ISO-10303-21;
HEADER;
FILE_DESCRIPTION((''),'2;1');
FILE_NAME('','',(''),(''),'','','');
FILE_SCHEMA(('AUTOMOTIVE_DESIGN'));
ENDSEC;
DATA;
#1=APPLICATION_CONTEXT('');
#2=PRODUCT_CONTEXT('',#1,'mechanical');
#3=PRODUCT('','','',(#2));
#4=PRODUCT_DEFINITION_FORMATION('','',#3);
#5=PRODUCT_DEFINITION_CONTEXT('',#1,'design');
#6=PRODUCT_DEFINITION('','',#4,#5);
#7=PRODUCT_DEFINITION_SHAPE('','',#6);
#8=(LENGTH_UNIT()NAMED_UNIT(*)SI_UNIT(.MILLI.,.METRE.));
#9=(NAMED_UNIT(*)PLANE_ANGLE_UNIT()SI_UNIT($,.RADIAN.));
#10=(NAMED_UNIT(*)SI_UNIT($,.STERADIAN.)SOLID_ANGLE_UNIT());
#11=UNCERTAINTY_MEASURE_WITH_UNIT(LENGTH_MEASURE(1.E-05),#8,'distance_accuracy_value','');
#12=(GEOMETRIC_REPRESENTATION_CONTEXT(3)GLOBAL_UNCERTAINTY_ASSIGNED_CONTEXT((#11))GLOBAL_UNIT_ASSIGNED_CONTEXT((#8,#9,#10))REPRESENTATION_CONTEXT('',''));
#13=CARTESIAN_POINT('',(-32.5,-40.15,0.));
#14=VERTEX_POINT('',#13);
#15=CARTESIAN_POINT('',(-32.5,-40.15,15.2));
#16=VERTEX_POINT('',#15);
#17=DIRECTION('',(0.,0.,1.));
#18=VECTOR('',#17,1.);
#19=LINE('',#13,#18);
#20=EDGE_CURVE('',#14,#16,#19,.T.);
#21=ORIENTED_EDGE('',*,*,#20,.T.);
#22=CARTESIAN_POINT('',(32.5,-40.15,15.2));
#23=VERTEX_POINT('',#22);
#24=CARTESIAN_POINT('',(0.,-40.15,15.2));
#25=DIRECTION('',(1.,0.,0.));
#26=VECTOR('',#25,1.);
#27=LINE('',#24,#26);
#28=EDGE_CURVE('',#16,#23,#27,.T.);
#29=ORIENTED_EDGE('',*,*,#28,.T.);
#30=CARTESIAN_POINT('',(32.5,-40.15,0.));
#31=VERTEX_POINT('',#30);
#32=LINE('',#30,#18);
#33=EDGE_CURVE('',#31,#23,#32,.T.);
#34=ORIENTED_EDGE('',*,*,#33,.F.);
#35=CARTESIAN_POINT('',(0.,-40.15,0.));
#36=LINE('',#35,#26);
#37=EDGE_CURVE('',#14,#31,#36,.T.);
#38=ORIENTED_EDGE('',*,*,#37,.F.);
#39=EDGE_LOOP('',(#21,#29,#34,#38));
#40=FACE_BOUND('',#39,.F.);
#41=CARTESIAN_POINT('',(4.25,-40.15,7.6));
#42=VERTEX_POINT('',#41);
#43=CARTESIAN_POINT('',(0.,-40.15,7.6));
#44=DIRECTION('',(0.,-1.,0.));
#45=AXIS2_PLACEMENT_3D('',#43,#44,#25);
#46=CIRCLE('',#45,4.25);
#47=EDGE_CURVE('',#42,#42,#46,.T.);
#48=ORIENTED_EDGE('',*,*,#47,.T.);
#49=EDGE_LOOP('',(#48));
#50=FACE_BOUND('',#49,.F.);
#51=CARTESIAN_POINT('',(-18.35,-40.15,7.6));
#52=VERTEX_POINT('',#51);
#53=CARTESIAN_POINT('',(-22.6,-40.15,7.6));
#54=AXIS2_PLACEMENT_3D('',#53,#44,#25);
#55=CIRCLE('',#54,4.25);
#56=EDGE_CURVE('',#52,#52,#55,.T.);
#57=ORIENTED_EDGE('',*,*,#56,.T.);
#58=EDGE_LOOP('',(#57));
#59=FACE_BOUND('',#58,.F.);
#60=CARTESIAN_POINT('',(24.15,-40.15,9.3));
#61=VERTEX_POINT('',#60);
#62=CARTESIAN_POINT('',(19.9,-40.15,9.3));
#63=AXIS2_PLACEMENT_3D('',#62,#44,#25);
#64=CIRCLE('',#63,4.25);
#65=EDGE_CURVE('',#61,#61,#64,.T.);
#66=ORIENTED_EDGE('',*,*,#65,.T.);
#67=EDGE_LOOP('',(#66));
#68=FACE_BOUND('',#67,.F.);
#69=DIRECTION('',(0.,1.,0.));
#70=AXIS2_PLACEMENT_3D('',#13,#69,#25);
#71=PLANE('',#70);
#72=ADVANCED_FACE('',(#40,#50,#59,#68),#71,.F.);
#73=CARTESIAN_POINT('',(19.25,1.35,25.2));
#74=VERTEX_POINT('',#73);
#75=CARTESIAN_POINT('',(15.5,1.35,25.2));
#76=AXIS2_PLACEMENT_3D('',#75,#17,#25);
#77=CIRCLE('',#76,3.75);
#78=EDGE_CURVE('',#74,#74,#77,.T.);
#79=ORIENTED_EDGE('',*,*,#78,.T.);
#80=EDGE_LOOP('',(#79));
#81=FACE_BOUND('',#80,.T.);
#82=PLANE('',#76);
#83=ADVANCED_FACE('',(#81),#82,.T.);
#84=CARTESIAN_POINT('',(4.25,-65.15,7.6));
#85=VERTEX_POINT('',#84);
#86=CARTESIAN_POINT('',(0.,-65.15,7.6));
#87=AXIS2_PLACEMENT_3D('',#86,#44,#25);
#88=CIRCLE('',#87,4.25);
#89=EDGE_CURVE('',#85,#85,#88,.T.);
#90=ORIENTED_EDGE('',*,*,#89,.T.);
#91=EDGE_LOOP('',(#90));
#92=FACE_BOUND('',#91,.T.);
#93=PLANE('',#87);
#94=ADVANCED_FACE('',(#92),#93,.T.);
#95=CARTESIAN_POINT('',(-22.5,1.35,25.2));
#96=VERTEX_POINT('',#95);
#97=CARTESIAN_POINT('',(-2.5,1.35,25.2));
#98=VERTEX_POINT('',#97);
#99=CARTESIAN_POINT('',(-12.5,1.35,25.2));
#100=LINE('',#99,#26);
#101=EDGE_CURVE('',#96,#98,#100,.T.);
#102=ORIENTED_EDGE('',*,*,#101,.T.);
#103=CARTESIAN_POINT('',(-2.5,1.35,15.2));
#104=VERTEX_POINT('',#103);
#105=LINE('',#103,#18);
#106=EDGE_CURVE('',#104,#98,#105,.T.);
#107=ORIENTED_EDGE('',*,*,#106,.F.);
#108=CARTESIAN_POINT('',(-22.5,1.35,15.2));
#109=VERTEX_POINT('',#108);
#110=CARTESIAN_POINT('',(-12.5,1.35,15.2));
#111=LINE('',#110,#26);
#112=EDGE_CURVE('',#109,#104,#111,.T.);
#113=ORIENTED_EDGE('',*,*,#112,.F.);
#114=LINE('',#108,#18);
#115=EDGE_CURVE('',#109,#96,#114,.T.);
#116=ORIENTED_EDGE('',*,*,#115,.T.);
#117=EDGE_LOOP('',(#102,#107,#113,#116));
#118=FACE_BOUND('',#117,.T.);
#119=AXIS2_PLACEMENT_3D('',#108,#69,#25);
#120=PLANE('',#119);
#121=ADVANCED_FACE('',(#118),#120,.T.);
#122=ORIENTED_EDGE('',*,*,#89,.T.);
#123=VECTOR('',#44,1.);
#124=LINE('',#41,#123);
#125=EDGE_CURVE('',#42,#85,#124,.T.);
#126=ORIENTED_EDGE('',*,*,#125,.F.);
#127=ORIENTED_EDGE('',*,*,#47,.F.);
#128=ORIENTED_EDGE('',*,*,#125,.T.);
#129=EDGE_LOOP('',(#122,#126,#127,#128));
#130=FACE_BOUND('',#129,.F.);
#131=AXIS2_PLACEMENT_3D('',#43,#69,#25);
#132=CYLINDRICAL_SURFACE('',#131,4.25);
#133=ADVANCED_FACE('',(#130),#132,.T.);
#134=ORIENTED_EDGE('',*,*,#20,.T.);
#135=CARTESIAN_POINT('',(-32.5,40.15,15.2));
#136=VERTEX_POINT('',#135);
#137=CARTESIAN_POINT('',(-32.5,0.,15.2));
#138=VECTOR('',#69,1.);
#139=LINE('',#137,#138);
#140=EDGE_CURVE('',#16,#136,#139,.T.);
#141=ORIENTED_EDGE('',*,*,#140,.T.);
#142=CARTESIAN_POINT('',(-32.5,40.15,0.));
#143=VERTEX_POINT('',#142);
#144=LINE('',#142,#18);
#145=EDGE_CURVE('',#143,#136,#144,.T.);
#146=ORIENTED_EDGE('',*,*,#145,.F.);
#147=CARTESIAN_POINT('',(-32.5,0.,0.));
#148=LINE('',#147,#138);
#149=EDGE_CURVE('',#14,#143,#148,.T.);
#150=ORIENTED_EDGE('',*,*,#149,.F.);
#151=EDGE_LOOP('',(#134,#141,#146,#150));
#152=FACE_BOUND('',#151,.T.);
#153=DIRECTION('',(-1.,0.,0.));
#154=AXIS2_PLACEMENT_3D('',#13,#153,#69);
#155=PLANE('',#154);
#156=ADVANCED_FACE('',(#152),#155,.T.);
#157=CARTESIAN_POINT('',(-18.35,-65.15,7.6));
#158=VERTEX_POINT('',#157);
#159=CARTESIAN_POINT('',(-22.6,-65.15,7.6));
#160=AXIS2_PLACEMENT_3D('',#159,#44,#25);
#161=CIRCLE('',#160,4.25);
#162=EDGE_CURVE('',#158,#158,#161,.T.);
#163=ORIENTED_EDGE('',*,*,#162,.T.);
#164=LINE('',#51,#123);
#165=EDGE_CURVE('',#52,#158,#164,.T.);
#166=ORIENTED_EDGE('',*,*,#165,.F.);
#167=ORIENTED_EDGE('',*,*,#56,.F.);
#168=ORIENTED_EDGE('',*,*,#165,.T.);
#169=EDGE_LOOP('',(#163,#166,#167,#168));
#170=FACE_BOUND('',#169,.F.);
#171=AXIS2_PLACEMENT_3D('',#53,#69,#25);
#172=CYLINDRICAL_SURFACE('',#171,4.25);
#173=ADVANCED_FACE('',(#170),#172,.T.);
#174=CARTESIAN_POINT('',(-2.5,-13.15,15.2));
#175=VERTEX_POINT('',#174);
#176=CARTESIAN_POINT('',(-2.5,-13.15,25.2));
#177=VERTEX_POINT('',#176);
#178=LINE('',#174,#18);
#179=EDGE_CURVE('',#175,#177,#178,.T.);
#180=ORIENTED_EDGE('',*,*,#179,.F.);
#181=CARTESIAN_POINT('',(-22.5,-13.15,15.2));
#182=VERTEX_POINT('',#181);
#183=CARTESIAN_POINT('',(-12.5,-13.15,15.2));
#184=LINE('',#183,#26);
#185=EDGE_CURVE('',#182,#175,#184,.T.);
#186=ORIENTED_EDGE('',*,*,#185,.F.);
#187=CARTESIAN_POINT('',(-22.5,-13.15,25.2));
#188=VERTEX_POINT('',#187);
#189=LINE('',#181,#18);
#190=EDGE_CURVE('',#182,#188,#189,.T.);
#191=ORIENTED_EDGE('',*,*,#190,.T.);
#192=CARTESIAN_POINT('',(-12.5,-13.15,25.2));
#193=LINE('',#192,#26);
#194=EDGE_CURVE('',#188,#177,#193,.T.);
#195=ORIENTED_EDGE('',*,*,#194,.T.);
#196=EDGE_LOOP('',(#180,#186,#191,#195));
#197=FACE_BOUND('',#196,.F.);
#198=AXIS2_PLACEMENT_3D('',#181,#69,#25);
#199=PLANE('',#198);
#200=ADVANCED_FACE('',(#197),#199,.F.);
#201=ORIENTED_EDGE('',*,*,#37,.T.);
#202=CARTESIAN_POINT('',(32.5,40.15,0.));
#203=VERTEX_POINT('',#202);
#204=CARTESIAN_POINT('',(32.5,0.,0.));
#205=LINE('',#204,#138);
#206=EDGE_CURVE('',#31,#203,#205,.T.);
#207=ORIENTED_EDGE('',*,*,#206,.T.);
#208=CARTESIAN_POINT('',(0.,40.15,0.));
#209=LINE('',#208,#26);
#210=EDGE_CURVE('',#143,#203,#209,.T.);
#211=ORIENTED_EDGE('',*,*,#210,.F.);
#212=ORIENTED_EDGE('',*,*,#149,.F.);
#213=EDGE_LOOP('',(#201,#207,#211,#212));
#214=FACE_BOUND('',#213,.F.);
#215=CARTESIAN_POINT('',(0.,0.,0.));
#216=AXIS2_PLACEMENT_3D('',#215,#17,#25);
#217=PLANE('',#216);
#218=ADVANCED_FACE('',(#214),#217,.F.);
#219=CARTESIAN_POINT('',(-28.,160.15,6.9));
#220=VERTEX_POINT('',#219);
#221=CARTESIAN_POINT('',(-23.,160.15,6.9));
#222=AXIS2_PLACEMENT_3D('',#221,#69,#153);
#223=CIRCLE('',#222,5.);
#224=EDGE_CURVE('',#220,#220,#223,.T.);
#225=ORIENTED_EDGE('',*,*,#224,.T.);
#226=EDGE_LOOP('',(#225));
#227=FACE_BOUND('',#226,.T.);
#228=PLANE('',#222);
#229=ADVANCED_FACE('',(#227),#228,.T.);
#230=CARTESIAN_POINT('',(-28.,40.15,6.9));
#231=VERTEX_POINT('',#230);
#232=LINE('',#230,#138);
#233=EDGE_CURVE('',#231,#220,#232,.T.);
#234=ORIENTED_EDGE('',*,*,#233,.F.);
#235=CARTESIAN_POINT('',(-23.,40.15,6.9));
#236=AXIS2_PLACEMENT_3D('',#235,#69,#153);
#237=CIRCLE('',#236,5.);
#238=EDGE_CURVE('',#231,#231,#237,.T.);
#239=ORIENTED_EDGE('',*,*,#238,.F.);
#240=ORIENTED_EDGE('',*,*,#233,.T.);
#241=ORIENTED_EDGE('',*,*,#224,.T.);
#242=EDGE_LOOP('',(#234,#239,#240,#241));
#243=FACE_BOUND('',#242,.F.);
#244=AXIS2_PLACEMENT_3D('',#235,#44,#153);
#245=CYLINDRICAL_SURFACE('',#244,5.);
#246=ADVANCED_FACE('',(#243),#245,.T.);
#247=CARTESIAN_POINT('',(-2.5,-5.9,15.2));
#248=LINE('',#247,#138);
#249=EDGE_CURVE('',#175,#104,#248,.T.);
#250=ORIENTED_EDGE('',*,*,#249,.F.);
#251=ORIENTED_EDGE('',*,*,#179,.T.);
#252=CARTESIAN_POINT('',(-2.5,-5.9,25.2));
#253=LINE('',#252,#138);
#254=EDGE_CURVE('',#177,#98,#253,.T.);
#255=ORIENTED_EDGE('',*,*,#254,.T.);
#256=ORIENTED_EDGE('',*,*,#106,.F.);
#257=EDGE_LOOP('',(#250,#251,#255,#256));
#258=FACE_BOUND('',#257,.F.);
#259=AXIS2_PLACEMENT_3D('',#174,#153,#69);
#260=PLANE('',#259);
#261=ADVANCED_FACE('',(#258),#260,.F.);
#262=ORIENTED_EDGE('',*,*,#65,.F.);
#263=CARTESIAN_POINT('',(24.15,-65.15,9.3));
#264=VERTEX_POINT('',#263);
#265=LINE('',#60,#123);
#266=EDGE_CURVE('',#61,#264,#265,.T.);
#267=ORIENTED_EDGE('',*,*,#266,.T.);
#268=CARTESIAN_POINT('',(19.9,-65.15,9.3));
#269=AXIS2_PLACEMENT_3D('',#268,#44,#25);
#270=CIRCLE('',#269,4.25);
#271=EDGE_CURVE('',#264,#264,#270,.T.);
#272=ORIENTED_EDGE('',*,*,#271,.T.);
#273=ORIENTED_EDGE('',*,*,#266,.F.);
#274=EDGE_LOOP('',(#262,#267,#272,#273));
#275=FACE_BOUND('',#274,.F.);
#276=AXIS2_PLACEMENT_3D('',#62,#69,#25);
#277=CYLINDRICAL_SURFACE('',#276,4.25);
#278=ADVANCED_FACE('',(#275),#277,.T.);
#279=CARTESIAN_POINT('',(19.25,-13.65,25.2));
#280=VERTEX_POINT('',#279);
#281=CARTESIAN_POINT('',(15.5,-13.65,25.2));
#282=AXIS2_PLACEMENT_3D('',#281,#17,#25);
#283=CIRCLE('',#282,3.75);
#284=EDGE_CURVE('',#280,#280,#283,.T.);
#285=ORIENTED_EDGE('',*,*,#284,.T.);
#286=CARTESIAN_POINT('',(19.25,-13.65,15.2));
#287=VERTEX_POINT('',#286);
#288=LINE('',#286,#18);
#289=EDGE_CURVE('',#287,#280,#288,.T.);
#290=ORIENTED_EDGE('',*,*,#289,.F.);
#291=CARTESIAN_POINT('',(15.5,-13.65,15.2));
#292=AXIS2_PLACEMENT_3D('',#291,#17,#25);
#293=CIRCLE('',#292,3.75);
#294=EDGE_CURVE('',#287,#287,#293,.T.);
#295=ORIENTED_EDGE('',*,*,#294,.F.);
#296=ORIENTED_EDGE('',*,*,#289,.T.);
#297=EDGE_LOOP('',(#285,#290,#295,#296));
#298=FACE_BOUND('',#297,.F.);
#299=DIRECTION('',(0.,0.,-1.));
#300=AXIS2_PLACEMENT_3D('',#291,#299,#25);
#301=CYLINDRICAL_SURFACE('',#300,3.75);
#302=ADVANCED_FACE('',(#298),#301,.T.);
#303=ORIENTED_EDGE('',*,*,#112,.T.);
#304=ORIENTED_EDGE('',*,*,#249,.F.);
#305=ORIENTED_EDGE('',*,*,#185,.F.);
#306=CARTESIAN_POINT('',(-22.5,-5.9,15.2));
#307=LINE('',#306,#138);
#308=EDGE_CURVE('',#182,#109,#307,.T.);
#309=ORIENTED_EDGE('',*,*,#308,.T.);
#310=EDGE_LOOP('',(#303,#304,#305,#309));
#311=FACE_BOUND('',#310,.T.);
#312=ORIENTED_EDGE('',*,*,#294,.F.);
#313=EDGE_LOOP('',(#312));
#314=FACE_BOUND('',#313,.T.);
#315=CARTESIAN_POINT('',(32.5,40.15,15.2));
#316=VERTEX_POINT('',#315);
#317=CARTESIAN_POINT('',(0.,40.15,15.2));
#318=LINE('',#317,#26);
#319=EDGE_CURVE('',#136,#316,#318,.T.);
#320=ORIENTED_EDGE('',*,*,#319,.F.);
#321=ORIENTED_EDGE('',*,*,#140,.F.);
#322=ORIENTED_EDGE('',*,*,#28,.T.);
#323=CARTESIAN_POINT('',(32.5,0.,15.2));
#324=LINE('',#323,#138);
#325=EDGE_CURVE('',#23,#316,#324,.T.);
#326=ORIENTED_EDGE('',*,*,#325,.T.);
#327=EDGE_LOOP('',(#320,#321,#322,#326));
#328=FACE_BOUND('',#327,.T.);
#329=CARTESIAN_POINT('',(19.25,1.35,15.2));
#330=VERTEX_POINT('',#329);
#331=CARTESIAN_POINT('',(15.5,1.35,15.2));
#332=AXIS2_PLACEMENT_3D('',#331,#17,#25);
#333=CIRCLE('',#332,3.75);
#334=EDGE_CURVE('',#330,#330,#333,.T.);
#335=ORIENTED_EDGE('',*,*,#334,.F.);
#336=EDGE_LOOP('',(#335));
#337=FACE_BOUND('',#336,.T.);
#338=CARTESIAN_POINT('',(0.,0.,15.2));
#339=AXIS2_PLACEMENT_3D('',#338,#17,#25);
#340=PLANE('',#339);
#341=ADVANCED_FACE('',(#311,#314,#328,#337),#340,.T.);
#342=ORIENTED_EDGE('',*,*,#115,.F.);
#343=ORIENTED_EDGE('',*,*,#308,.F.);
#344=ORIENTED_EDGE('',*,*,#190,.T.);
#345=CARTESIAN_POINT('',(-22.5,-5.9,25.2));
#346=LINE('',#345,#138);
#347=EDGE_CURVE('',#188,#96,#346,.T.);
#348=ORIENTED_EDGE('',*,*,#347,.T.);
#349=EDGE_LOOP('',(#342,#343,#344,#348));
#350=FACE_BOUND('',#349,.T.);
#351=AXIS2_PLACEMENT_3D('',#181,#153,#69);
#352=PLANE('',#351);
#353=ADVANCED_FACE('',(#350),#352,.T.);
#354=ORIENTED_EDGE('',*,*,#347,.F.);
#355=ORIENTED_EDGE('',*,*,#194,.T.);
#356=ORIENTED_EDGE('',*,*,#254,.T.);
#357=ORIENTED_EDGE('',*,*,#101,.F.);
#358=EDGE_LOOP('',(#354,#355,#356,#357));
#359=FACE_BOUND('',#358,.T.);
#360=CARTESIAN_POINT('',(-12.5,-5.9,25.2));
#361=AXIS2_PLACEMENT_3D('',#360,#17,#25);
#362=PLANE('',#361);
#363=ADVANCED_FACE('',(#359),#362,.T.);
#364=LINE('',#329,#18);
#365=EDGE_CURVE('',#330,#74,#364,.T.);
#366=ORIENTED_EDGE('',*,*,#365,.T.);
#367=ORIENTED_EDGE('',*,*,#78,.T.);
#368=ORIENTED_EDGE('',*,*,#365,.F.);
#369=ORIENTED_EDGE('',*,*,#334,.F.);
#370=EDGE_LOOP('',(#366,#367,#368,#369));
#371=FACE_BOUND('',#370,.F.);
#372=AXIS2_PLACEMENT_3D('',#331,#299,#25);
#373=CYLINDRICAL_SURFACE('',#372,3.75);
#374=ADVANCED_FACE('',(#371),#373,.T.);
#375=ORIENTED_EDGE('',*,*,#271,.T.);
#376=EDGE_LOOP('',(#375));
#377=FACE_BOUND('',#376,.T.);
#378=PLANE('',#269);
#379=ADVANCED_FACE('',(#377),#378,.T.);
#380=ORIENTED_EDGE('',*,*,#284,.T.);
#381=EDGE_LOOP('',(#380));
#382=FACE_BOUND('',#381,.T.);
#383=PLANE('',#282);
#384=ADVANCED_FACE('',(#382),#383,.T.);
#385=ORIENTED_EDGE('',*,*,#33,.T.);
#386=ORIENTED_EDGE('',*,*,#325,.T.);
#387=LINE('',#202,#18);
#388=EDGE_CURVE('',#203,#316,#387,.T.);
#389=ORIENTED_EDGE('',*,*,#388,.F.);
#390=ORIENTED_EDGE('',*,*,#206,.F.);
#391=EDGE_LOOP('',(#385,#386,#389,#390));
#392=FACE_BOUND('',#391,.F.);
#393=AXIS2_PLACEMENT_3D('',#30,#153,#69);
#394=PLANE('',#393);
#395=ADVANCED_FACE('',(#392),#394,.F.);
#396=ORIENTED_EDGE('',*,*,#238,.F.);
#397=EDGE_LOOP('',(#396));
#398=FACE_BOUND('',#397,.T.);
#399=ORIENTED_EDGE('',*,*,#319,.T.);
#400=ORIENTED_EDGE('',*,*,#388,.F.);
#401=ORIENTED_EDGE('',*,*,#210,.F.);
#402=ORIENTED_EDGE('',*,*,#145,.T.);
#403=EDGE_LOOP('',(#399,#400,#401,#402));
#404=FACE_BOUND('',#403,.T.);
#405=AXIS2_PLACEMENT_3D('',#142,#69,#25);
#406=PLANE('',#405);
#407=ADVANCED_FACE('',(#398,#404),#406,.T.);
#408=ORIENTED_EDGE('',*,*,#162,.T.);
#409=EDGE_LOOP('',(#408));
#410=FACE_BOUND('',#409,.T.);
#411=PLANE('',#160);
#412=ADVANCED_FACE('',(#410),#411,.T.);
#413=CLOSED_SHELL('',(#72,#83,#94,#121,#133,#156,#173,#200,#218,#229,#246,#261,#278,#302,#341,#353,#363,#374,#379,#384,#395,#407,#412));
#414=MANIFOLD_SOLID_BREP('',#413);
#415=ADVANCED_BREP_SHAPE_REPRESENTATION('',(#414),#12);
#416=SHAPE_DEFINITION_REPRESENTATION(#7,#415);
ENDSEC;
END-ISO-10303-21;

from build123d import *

# Parameters (mm, degrees)
F0_W     = 65
F0_H     = 80.3
F1_DEPTH = 15.2
F2_R     = 5
F3_DEPTH = 120
F4_R     = 4.25
F5_DEPTH = 25
F6_W     = 20
F6_H     = 14.5
F6_R     = 3.75
F7_DEPTH = 10


with BuildPart() as f1:
    # F0 (on Top) → F1 (new body)
    with BuildSketch(Plane.XY):
        Rectangle(F0_W, F0_H)
    extrude(amount=F1_DEPTH)

    # F2 (on face) → F3 (join)
    with BuildSketch(Plane(origin=(0, 40.15, 0), x_dir=(-1, 0, 0), z_dir=(0, 1, 0))):
        with Locations((23, 6.9)):
            Circle(F2_R)
    extrude(amount=F3_DEPTH)

    # F4 (on face) → F5 (join)
    with BuildSketch(Plane.XZ.offset(40.15)):
        with Locations((-22.6, 7.6)):
            Circle(F4_R)
        with Locations((0, 7.6)):
            Circle(F4_R)
        with Locations((19.9, 9.3)):
            Circle(F4_R)
    extrude(amount=F5_DEPTH)

    # F6 (on face) → F7 (join)
    with BuildSketch(Plane.XY.offset(15.2)):
        with Locations((-12.5, -5.9)):
            Rectangle(F6_W, F6_H)
        with Locations((15.5, 1.35)):
            Circle(F6_R)
        with Locations((15.5, -13.65)):
            Circle(F6_R)
    extrude(amount=F7_DEPTH)


solid = f1.part
